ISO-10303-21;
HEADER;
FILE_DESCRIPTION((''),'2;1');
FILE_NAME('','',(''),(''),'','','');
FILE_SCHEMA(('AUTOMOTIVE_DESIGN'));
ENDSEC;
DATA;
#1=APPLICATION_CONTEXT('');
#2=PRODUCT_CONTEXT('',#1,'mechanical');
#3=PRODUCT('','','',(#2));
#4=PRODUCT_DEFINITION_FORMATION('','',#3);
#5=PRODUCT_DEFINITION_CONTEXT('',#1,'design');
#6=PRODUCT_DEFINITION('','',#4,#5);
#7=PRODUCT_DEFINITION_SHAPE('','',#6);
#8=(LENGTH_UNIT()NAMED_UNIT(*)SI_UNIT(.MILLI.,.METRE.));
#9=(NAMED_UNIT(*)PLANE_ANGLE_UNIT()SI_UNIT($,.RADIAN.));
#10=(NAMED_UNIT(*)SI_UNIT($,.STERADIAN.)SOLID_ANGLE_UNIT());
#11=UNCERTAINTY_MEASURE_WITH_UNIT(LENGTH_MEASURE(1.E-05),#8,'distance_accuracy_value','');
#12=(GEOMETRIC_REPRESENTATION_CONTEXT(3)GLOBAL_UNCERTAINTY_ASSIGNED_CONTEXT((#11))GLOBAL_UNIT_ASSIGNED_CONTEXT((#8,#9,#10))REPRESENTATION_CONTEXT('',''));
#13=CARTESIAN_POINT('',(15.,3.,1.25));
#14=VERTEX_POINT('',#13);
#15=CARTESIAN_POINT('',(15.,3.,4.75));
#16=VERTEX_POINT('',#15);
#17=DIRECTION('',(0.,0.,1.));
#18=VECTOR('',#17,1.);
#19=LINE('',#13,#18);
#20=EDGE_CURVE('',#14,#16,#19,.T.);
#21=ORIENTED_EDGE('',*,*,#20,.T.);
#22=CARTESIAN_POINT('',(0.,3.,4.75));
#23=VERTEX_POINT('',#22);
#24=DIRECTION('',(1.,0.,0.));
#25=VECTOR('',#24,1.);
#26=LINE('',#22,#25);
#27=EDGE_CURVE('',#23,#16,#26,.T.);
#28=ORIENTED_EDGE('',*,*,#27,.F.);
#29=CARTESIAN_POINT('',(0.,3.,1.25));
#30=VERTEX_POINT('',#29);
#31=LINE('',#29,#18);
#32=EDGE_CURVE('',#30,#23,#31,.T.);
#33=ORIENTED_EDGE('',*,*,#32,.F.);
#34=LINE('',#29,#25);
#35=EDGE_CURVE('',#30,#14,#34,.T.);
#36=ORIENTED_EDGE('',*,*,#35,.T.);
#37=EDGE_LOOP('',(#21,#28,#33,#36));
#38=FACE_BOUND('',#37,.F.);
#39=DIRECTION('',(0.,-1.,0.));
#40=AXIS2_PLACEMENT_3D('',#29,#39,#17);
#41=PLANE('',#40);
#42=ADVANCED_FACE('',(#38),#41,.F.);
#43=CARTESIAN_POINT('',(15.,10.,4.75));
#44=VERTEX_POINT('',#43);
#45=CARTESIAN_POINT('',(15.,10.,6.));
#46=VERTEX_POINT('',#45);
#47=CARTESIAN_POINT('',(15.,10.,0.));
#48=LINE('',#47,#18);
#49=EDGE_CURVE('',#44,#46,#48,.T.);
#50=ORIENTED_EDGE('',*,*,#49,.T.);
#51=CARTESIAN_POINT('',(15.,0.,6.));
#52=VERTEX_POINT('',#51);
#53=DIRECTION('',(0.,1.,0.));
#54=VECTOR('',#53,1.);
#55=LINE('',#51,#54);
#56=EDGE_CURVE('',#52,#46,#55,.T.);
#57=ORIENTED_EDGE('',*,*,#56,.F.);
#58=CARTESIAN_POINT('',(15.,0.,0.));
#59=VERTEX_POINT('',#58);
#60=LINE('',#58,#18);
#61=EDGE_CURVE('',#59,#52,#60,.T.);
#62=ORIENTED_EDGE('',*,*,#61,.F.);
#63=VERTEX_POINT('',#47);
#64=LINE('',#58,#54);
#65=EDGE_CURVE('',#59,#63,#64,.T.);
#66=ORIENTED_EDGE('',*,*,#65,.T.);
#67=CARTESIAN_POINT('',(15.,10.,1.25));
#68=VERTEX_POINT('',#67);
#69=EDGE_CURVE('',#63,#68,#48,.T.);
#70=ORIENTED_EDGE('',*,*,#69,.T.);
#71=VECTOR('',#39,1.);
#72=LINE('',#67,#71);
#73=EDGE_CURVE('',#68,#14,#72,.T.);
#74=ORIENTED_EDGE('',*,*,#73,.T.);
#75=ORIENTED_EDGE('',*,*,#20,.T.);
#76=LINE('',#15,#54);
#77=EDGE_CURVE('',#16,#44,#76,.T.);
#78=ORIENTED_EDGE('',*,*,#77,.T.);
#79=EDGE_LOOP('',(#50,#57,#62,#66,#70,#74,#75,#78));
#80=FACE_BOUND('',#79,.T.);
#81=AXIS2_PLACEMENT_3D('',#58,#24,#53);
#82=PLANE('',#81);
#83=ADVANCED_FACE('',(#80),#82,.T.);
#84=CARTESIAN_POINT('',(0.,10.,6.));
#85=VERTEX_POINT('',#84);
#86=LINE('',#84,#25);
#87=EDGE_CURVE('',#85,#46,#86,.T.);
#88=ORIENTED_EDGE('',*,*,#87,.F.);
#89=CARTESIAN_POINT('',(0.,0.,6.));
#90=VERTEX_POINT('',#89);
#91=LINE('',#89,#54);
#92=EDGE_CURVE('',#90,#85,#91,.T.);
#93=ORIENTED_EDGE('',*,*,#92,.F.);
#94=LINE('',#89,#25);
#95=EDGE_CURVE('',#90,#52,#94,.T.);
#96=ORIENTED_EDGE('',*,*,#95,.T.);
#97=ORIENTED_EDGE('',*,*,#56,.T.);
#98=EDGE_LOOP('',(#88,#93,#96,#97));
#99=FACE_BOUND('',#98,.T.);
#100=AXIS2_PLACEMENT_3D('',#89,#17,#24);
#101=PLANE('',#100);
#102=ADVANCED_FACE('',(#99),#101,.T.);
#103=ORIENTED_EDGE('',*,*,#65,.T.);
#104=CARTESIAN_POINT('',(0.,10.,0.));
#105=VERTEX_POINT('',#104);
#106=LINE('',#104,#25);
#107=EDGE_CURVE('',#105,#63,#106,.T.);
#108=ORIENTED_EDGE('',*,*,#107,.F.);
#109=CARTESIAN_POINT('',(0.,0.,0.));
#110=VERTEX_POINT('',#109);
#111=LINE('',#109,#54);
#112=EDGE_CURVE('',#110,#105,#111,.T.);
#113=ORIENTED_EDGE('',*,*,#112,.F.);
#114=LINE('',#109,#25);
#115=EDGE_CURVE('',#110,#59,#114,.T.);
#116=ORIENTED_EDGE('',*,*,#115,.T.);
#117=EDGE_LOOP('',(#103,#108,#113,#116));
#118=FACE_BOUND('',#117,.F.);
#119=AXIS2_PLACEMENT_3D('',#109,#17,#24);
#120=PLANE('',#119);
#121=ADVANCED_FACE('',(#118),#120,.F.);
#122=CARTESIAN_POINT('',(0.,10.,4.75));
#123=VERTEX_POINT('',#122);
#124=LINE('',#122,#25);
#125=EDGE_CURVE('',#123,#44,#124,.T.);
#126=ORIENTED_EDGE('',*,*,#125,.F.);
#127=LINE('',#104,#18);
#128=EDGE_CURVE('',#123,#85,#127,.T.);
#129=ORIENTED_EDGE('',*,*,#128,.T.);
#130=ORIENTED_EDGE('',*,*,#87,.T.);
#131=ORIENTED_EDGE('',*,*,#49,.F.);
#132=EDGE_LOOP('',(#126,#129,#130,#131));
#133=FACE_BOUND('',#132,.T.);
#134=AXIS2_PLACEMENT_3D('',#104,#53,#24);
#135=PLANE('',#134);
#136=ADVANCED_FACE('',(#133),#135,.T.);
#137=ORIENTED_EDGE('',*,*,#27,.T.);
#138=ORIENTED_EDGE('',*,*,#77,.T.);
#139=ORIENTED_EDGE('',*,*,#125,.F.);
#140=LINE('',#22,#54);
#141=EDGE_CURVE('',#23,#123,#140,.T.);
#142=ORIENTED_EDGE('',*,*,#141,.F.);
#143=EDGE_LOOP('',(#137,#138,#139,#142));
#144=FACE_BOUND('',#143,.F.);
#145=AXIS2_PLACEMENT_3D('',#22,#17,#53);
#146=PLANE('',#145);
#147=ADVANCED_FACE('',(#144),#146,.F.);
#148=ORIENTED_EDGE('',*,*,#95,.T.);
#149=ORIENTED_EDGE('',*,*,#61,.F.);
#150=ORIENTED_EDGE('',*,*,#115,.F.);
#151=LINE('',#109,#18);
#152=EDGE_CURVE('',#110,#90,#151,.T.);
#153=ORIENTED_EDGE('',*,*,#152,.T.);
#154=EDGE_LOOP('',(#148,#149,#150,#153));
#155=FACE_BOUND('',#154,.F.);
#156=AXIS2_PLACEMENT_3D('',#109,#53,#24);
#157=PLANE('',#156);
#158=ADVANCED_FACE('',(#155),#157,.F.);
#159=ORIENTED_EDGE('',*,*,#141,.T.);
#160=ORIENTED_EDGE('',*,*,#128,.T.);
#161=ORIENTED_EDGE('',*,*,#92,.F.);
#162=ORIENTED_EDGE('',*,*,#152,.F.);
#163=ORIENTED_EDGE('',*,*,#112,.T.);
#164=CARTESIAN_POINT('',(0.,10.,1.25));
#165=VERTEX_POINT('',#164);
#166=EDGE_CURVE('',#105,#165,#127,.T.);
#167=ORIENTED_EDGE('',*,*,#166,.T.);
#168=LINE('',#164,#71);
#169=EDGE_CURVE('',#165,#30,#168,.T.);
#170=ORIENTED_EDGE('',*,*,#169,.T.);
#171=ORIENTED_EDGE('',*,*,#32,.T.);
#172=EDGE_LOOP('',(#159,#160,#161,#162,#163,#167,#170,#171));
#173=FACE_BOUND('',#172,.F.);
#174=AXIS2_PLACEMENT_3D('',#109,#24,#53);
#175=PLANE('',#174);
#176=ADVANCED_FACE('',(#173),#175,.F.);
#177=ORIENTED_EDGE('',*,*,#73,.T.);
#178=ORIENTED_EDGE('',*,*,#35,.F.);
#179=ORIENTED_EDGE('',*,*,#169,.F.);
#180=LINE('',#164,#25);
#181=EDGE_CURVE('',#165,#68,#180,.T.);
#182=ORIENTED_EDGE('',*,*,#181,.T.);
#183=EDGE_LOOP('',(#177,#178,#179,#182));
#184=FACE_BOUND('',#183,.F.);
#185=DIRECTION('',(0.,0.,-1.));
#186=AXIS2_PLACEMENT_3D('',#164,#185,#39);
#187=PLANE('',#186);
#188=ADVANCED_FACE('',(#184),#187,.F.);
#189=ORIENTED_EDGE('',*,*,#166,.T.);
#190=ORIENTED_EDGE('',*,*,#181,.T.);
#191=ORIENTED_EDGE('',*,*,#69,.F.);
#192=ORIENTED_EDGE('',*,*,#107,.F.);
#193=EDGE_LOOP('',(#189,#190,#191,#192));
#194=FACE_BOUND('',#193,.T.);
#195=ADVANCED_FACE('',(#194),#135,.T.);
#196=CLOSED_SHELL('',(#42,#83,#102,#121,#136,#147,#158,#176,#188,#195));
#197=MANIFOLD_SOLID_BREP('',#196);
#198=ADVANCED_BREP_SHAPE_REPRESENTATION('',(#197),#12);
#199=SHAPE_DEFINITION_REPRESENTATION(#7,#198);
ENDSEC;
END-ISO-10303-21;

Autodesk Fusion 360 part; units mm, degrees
box "BoxPrimitive1" add length 10 width 6 height 15 placed x (0, 1, 0) y (0, 0, 1) z (1, 0, 0) at (0, 0, 0)
sketch "Sketch3" plane through (0, 0, 0) normal (-1, 0, 0) x (0, 0, 1)
  line L0 (6, 10) -> (0, 10)
  line L1 (0, 10) -> (0, 0)
  line L2 (0, 0) -> (6, 0)
  line L3 (6, 0) -> (6, 10)
  line L4 (3, 10) -> (3, 6.5) construction
  line L5 (4.75, 10) -> (1.25, 10)
  line L6 (1.25, 10) -> (1.25, 3)
  line L7 (1.25, 3) -> (4.75, 3)
  line L8 (4.75, 3) -> (4.75, 10)
  line L9 (4.75, 10) -> (1.25, 3) construction
  line L10 (1.25, 10) -> (4.75, 3) construction
  point P0 (3, 6.5)
  dimension "d11" = 3.5
  dimension "d12" = 3.5
  dimension "d13" = 7
extrude "Extrude1" cut sketch "Sketch3" against normal blind 15 contours L0 L5 L6 L7 L8
equation "Hole = 3.5 mm"
equation "Width = 6 mm"
equation "Length = 15 mm"
equation "d4 = Height"
equation "d5 = Width"
equation "d6 = Length"
equation "Height = 10 mm"
equation "HHole = 7 mm"
equation "d11 = HHole / 2"
equation "d12 = Hole"
equation "d13 = HHole"
equation "d14 = -Length"
